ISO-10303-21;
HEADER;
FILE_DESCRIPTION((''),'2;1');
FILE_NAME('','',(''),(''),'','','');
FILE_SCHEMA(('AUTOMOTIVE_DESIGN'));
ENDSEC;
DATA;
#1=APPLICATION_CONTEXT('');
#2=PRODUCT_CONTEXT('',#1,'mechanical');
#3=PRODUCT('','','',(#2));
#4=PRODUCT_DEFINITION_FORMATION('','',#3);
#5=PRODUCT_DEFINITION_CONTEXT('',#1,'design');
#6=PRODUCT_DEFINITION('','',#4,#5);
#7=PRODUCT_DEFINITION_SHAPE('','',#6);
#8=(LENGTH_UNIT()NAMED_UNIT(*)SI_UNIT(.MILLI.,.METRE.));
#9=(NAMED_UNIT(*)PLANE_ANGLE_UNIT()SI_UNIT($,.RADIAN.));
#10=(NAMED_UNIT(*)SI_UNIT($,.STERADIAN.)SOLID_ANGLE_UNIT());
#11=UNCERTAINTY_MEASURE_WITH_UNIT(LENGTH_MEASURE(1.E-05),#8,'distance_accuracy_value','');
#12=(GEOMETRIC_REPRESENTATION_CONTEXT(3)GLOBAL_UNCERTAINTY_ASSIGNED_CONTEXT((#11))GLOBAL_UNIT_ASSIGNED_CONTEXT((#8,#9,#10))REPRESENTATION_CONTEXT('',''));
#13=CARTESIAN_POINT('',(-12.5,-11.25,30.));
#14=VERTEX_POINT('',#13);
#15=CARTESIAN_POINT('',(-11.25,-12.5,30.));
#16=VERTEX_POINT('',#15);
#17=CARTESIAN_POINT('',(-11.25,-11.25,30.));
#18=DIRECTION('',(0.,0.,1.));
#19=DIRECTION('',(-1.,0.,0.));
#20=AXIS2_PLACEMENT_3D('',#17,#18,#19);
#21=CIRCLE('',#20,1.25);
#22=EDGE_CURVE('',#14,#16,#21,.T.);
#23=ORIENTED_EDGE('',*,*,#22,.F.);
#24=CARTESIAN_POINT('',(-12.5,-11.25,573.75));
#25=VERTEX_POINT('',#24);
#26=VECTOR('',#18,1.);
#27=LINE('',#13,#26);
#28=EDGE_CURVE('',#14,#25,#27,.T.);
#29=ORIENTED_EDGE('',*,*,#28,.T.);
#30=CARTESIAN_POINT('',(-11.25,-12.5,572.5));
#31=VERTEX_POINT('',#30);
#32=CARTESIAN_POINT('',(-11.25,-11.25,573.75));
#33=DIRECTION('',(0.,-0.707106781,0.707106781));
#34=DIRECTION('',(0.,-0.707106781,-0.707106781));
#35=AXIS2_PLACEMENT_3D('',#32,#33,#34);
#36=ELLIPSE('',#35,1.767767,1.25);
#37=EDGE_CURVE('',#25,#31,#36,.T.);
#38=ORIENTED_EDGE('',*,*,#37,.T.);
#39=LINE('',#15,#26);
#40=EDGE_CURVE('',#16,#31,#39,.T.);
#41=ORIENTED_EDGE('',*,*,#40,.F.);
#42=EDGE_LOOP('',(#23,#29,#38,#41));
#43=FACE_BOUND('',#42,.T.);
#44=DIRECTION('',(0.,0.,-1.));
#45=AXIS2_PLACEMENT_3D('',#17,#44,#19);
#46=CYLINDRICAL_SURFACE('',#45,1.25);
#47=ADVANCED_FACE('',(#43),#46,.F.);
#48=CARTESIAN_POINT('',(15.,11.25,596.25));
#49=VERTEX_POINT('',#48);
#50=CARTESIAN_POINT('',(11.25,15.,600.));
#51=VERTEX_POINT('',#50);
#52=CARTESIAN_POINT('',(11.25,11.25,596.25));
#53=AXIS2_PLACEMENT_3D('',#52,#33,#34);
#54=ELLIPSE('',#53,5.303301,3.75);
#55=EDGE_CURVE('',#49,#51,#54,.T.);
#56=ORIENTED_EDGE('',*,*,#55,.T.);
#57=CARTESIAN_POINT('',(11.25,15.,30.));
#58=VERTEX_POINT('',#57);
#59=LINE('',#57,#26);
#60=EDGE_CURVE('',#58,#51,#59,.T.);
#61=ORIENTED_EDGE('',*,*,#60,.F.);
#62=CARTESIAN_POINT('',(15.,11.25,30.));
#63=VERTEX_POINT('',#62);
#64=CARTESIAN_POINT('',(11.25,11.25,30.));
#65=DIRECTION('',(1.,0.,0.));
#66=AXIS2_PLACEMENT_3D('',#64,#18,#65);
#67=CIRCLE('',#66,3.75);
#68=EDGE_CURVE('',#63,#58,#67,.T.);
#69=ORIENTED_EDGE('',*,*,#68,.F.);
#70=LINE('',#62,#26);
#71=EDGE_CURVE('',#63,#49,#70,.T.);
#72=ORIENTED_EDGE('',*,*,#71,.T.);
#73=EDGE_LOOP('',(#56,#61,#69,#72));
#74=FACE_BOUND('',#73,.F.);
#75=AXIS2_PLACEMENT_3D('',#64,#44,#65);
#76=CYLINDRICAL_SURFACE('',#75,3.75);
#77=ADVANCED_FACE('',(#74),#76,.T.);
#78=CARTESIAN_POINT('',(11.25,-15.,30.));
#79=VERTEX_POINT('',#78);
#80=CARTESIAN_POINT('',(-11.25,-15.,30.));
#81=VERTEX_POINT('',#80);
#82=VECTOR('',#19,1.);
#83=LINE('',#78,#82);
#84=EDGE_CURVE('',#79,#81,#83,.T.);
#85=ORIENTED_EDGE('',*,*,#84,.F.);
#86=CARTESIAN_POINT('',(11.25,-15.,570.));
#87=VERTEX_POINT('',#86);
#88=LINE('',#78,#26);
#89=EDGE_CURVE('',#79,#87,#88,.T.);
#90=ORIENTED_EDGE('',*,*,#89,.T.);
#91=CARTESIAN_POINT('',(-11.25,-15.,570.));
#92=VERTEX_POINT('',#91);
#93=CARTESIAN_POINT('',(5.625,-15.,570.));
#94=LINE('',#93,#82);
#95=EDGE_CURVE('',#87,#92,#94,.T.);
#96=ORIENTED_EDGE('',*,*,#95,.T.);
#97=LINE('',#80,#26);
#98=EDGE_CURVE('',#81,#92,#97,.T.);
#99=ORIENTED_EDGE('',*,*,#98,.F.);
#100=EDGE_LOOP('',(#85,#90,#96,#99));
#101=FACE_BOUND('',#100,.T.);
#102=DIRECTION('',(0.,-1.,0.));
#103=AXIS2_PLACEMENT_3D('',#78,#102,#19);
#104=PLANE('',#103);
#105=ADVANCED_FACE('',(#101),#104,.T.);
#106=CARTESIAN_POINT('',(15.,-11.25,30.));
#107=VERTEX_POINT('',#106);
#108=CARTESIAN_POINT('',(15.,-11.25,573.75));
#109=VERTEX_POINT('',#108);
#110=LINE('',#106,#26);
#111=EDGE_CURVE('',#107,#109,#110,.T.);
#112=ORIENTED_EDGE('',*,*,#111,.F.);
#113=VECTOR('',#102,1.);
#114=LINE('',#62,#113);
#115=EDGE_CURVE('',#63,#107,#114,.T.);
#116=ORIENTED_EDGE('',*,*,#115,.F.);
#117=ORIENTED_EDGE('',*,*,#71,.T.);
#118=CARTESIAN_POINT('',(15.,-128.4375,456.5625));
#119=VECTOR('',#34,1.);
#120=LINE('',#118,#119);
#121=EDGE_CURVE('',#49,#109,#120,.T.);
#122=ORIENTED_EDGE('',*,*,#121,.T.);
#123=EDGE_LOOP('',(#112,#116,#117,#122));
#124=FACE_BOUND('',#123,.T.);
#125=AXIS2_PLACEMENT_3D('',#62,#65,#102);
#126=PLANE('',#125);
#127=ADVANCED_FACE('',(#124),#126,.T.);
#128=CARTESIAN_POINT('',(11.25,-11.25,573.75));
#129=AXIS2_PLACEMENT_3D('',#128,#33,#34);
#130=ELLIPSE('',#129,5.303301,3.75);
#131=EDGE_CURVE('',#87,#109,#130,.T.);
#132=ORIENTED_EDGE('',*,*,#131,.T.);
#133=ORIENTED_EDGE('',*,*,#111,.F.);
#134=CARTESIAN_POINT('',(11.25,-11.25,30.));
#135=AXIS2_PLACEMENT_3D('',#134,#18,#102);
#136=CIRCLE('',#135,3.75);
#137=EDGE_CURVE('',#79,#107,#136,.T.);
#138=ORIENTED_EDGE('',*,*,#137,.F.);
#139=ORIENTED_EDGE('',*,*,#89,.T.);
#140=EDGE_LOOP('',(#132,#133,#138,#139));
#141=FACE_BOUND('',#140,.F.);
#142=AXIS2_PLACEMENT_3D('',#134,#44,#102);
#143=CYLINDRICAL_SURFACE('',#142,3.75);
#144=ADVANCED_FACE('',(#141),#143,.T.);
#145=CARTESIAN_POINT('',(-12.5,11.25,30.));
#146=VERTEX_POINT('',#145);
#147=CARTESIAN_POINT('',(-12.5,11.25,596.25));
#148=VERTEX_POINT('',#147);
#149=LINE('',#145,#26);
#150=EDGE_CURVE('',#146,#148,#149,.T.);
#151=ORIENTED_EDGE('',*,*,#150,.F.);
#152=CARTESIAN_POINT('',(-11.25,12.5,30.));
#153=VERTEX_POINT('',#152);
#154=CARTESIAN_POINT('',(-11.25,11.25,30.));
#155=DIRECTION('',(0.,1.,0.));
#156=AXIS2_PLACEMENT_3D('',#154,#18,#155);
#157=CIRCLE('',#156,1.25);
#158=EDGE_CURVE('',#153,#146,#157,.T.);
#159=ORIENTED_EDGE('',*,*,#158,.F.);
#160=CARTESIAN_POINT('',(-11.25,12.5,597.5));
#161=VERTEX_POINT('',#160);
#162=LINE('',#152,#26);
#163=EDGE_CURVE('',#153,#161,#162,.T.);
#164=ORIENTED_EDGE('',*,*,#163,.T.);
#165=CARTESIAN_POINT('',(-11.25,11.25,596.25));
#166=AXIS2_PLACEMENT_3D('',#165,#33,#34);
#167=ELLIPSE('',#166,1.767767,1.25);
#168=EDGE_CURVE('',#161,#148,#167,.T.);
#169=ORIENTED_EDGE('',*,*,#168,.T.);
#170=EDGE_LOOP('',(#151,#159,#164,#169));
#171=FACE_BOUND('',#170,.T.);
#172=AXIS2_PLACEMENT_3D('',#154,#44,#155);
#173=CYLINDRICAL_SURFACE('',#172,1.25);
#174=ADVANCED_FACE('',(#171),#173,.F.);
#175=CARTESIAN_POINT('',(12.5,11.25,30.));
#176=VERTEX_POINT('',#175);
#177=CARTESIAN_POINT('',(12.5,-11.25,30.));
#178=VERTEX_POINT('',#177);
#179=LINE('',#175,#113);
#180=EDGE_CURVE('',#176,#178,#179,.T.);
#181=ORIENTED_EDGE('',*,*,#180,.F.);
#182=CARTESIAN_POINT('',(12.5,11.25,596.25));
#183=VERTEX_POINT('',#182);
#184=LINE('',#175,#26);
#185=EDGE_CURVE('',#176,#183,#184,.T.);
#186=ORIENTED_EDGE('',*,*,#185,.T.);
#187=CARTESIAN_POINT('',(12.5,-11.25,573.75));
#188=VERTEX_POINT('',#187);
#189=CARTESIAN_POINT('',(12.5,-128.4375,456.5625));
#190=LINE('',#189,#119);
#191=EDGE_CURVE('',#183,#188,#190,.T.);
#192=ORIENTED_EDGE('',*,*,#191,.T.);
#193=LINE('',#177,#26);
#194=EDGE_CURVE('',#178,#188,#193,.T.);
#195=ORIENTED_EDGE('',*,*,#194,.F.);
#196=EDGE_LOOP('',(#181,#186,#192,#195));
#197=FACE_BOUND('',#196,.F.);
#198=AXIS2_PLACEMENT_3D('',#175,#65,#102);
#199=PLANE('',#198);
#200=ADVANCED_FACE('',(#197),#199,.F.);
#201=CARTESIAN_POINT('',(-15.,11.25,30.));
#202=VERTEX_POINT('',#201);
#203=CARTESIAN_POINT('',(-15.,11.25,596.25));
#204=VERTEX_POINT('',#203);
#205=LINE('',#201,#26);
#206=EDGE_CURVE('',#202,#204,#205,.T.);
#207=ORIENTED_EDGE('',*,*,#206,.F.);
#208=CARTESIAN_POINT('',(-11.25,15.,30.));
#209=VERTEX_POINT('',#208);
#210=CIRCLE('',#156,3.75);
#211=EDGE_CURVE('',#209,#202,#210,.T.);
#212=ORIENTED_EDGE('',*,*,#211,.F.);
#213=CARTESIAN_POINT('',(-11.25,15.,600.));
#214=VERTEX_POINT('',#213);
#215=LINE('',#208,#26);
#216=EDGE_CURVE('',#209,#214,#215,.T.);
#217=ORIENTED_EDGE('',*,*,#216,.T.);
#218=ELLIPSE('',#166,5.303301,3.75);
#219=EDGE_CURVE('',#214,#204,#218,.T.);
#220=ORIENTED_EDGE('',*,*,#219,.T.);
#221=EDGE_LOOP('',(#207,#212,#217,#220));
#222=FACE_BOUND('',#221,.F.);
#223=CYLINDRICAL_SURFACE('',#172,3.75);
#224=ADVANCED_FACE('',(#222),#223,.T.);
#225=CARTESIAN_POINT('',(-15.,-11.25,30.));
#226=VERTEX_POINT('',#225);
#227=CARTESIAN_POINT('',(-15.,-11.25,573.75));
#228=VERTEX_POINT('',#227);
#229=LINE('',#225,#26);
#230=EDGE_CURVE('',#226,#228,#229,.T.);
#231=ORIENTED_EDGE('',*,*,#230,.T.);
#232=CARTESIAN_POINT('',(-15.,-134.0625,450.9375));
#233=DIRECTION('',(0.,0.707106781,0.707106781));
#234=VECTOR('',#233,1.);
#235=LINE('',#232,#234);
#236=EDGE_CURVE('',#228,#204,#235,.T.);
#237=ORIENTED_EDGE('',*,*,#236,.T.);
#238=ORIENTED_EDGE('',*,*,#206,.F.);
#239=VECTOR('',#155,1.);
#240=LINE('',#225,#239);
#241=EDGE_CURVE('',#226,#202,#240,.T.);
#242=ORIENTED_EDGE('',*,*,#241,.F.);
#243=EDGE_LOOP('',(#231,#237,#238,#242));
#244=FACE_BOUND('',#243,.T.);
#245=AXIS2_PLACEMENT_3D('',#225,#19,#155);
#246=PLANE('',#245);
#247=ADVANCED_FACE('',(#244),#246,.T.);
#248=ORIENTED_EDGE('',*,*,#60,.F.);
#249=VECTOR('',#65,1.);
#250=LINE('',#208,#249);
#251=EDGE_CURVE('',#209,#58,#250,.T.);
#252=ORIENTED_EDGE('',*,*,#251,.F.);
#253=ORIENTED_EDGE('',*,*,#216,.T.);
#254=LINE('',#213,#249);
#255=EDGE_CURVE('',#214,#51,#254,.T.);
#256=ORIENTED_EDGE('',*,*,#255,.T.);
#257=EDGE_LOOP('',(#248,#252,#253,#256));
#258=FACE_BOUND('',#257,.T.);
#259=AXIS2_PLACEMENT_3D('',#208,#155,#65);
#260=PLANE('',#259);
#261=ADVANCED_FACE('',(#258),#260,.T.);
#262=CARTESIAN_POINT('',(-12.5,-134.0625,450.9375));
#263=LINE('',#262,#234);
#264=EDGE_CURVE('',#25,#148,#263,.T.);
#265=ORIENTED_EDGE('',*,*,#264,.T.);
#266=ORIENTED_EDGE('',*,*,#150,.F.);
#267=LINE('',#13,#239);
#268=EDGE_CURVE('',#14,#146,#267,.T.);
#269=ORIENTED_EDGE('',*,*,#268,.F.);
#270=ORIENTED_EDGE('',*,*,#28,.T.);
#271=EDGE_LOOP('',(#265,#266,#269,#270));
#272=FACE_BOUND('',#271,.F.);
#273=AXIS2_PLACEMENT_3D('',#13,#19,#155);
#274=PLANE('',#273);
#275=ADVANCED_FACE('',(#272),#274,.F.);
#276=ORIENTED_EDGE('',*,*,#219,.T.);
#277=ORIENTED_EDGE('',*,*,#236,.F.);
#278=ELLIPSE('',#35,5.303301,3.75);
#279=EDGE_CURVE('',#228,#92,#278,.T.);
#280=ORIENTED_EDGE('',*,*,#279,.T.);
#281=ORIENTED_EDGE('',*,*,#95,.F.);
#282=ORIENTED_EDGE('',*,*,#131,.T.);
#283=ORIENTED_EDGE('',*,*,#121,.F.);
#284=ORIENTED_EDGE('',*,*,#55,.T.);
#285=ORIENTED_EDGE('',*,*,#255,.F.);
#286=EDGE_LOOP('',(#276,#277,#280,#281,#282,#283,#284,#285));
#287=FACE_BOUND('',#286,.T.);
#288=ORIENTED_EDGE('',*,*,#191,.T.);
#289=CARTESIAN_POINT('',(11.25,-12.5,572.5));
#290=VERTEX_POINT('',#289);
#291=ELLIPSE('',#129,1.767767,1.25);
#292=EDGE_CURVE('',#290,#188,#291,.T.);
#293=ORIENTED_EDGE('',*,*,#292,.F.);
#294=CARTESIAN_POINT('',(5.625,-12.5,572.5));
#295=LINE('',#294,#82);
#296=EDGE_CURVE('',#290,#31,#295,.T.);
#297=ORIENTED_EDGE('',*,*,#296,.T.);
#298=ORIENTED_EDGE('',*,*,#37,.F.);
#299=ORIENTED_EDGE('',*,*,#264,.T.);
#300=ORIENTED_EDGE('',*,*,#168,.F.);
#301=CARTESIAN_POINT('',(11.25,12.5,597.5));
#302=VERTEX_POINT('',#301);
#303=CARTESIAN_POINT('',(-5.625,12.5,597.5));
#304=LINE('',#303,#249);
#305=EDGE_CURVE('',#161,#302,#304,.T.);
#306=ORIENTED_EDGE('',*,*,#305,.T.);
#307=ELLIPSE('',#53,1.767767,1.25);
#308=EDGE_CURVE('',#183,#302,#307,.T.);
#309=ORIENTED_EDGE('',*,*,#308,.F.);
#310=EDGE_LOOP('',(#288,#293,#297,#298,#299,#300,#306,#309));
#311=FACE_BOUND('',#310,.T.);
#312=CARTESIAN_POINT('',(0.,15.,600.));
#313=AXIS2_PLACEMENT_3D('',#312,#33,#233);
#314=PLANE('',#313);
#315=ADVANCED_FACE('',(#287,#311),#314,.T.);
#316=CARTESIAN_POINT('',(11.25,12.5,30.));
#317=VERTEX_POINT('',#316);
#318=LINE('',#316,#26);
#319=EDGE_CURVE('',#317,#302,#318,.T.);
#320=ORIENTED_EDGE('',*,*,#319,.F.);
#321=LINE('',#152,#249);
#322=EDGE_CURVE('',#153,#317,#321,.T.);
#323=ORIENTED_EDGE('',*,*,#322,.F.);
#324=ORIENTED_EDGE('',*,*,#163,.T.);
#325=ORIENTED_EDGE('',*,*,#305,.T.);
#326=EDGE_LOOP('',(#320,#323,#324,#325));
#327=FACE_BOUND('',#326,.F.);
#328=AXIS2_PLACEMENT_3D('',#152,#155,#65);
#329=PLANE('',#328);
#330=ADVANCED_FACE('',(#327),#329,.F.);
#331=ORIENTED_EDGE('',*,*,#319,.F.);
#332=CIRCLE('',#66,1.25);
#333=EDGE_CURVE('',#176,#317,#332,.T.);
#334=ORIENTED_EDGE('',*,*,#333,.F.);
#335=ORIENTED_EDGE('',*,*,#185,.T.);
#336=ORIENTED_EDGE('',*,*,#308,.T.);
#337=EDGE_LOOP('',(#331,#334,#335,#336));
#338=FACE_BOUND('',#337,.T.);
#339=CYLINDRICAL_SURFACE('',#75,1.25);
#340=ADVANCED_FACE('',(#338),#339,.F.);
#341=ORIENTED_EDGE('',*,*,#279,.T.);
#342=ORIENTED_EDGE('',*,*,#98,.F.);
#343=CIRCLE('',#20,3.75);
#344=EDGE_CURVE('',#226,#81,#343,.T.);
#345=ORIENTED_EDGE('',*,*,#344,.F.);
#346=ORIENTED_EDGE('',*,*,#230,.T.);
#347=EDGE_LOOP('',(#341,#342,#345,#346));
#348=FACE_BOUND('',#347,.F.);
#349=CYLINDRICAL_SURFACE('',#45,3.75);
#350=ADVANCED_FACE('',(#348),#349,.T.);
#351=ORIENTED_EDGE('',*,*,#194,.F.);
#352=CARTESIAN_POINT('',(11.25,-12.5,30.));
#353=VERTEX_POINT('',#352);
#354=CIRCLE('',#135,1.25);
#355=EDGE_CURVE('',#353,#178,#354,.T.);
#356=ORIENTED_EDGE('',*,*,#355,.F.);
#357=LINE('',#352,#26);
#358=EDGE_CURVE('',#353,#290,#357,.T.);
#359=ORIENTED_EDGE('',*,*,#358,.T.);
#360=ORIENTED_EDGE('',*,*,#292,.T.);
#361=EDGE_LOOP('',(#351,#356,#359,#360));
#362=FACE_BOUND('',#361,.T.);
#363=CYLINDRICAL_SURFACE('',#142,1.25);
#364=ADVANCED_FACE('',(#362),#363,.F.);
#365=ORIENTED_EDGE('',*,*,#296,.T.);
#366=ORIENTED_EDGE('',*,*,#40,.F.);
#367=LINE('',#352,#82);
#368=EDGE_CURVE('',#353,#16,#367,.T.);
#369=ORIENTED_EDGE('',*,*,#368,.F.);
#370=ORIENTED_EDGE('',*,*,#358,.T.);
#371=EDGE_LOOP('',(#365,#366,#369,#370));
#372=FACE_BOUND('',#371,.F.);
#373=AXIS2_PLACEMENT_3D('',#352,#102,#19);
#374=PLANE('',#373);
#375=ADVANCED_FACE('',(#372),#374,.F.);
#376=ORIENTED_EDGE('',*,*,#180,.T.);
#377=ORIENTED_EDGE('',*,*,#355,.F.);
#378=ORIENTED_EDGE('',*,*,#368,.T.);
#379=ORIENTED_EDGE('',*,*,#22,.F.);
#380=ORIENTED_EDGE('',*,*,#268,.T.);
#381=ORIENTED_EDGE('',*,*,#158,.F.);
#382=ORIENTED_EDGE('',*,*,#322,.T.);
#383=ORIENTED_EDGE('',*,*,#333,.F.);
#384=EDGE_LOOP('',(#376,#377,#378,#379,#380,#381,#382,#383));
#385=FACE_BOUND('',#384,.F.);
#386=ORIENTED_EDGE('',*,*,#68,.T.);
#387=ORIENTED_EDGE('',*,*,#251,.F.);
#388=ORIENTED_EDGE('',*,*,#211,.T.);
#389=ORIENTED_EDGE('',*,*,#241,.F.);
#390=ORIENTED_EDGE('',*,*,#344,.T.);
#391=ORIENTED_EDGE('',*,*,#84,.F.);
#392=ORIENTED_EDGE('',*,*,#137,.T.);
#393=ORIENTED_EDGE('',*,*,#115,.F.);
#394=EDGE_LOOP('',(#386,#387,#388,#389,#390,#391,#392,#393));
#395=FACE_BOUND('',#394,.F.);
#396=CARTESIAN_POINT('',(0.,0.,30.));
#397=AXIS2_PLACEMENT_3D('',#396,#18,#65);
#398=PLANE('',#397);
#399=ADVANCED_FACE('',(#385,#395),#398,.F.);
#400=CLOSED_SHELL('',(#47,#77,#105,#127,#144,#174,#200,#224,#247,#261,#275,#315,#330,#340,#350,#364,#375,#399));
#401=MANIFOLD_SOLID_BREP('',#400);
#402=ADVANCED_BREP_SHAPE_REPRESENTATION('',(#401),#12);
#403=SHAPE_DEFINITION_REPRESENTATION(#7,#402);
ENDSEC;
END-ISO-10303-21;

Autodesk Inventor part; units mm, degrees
ref_plane "Start plane" through (0, 0, 30) normal (0, 0, 1) x (1, 0, 0)
ref_plane "End plane" through (0, 0, 600) normal (0, 0, 1) x (1, 0, 0)
sketch "Sketch" plane through (0, 0, 0) normal (0, 0, 1) x (1, 0, 0)
  line L0 (-15, -11.25) -> (-15, 11.25)
  line L1 (-11.25, 15) -> (11.25, 15)
  line L2 (15, 11.25) -> (15, -11.25)
  line L3 (11.25, -15) -> (-11.25, -15)
  arc A0 (-15, -11.25) -> (-11.25, -15) centre (-11.25, -11.25) ccw
  arc A1 (-11.25, 15) -> (-15, 11.25) centre (-11.25, 11.25) ccw
  arc A2 (15, 11.25) -> (11.25, 15) centre (11.25, 11.25) ccw
  arc A3 (11.25, -15) -> (15, -11.25) centre (11.25, -11.25) ccw
  arc A4 (-11.25, 12.5) -> (-12.5, 11.25) centre (-11.25, 11.25) ccw
  line L4 (-11.25, 12.5) -> (11.25, 12.5)
  arc A5 (12.5, 11.25) -> (11.25, 12.5) centre (11.25, 11.25) ccw
  line L5 (12.5, 11.25) -> (12.5, -11.25)
  arc A6 (11.25, -12.5) -> (12.5, -11.25) centre (11.25, -11.25) ccw
  line L6 (11.25, -12.5) -> (-11.25, -12.5)
  arc A7 (-12.5, -11.25) -> (-11.25, -12.5) centre (-11.25, -11.25) ccw
  line L7 (-12.5, -11.25) -> (-12.5, 11.25)
  line L8 (0, 22.0873) -> (0, -22.0873) construction
  line L9 (-22.0873, 0) -> (22.0873, 0) construction
  dimension "d7" = 3.75
  dimension "d10" = 30
  dimension "d11" = 30
  dimension "d12" = 2.5
  dimension "d15" = 15
  dimension "d16" = 15
extrude "Body" add sketch "Sketch" along normal up to surface (570 mm away) from surface at 30
sketch "Sketch3" plane through (0, 0, 0) normal (0, 0, 1) x (1, 0, 0)
  line L0 (0, 0) -> (10, 0)
ref_plane "Work Plane3" through (0, 0, 0) normal (0, -1, 0) x (1, 0, 0)
sketch "Sketch4" plane through (0, 0, 0) normal (0, -1, 0) x (1, 0, 0)
  line L0 (-2, 30) -> (12, 30)
  line L1 (-2, 600) -> (12, 600)
  dimension "d18" = 570
ref_plane "Work Plane4" through (425, -558.75, 30) normal (0, 0, -1) x (-1, 0, 0)
split "Split1" plane through (425, -558.75, 30) removes the side toward (0, 0, -1)
ref_plane "Work Plane5" through (0, 15, 600) normal (0, -0.7071, 0.7071) x (1, 0, 0)
split "Split2" plane through (0, 15, 600) removes the side toward (0, -0.7071, 0.7071)
ref_plane "Work Plane6" through (385, 11.25, 30) normal (0, 0, -1) x (-1, 0, 0)
split "Split3" plane through (385, 11.25, 30) removes the side toward (0, 0, -1)
equation "\"d7\" = G_IR"
equation "\"d10\" = G_H"
equation "\"d11\" = G_W"
equation "\"d12\" = G_T"
equation "\"d15\" = 0.5 * d10"
equation "\"d16\" = 0.5 * d11"
equation "\"d3\" = G_L"
equation "\"G_W\" = 30"
equation "\"G_H\" = 30"
equation "\"G_T\" = 2.5"
equation "\"G_IR\" = 3.75"
equation "\"G_L\" = d18"
equation "\"G_OFFSET_END\" = 0"
properties part number "DIN EN 10305-5 - 30 x 30 x 2,5  - 570" material "Steel, Mild"
